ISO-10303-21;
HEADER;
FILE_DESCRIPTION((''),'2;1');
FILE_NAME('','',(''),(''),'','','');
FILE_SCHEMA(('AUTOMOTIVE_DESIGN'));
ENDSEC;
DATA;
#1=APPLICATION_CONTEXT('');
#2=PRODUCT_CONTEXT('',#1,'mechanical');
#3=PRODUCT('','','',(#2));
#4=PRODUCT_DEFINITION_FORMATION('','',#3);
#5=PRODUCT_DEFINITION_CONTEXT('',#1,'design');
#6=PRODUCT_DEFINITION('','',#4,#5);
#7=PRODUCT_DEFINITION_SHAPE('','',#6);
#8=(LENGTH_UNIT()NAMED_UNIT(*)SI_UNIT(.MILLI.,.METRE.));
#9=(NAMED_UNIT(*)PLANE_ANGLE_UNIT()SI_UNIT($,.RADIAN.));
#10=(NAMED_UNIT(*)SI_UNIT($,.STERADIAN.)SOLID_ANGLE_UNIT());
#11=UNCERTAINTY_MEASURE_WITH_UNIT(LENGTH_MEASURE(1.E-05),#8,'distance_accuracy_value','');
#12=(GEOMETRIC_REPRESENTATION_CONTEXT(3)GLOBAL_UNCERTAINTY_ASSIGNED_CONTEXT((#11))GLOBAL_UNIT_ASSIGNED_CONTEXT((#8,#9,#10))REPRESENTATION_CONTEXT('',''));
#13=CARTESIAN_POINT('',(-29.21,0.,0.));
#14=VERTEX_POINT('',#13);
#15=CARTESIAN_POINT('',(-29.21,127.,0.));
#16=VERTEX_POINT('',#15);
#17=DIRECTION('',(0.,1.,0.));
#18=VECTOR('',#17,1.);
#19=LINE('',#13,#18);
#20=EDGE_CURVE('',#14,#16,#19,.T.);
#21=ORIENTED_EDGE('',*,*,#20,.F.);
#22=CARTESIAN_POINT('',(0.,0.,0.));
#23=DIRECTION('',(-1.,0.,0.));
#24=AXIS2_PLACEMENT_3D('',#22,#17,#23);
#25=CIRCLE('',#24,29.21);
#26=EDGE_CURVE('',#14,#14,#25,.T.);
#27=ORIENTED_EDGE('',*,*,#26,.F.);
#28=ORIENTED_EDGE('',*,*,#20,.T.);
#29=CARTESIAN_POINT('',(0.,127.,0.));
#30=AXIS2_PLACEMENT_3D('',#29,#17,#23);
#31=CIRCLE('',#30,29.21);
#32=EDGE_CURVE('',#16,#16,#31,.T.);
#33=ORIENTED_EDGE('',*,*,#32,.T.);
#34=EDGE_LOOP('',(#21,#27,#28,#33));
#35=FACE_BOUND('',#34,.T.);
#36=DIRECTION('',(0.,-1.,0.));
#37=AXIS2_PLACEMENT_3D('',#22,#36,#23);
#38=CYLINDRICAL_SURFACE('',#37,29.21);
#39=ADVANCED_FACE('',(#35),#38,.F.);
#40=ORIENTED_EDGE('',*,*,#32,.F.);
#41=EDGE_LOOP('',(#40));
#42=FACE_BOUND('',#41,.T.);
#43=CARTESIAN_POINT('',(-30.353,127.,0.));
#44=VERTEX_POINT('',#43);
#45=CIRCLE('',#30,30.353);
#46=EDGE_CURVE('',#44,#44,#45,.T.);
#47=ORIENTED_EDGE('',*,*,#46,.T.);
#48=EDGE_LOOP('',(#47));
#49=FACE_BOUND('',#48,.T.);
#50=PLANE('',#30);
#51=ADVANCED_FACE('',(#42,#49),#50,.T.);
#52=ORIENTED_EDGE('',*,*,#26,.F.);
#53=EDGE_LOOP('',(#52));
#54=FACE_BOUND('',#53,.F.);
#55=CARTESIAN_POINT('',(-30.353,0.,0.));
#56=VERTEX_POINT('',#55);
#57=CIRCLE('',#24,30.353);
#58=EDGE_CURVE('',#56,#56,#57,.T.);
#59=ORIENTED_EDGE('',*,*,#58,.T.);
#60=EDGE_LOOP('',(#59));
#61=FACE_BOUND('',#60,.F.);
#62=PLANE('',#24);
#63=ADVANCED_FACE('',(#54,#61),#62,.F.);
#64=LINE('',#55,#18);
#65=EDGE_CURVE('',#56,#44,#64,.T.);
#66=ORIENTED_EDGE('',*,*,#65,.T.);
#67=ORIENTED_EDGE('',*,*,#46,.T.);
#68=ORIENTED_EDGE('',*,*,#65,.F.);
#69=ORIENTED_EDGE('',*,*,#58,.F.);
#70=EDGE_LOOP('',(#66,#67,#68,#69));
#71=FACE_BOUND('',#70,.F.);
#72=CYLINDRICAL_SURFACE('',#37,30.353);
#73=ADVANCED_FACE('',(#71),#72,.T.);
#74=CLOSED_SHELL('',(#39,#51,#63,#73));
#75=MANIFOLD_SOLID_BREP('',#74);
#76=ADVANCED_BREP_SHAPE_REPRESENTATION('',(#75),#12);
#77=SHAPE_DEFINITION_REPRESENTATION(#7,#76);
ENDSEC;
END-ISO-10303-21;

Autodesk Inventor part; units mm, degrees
ref_plane "YZ Plane" through (0, 0, 0) normal (1, 0, 0) x (0, 1, 0)
ref_plane "XZ Plane" through (0, 0, 0) normal (0, 1, 0) x (-1, 0, 0)
ref_plane "XY Plane" through (0, 0, 0) normal (0, 0, 1) x (1, 0, 0)
sketch "Sketch1" plane through (0, 0, 0) normal (0, 1, 0) x (-1, 0, 0)
  circle A0 centre (0, 0) radius 30.353
  circle A1 centre (0, 0) radius 29.21
  dimension "d0" = 60.706
  dimension "d1" = 58.42
extrude "Extrusion1" add sketch "Sketch1" along normal blind 127
properties part number "tube"
